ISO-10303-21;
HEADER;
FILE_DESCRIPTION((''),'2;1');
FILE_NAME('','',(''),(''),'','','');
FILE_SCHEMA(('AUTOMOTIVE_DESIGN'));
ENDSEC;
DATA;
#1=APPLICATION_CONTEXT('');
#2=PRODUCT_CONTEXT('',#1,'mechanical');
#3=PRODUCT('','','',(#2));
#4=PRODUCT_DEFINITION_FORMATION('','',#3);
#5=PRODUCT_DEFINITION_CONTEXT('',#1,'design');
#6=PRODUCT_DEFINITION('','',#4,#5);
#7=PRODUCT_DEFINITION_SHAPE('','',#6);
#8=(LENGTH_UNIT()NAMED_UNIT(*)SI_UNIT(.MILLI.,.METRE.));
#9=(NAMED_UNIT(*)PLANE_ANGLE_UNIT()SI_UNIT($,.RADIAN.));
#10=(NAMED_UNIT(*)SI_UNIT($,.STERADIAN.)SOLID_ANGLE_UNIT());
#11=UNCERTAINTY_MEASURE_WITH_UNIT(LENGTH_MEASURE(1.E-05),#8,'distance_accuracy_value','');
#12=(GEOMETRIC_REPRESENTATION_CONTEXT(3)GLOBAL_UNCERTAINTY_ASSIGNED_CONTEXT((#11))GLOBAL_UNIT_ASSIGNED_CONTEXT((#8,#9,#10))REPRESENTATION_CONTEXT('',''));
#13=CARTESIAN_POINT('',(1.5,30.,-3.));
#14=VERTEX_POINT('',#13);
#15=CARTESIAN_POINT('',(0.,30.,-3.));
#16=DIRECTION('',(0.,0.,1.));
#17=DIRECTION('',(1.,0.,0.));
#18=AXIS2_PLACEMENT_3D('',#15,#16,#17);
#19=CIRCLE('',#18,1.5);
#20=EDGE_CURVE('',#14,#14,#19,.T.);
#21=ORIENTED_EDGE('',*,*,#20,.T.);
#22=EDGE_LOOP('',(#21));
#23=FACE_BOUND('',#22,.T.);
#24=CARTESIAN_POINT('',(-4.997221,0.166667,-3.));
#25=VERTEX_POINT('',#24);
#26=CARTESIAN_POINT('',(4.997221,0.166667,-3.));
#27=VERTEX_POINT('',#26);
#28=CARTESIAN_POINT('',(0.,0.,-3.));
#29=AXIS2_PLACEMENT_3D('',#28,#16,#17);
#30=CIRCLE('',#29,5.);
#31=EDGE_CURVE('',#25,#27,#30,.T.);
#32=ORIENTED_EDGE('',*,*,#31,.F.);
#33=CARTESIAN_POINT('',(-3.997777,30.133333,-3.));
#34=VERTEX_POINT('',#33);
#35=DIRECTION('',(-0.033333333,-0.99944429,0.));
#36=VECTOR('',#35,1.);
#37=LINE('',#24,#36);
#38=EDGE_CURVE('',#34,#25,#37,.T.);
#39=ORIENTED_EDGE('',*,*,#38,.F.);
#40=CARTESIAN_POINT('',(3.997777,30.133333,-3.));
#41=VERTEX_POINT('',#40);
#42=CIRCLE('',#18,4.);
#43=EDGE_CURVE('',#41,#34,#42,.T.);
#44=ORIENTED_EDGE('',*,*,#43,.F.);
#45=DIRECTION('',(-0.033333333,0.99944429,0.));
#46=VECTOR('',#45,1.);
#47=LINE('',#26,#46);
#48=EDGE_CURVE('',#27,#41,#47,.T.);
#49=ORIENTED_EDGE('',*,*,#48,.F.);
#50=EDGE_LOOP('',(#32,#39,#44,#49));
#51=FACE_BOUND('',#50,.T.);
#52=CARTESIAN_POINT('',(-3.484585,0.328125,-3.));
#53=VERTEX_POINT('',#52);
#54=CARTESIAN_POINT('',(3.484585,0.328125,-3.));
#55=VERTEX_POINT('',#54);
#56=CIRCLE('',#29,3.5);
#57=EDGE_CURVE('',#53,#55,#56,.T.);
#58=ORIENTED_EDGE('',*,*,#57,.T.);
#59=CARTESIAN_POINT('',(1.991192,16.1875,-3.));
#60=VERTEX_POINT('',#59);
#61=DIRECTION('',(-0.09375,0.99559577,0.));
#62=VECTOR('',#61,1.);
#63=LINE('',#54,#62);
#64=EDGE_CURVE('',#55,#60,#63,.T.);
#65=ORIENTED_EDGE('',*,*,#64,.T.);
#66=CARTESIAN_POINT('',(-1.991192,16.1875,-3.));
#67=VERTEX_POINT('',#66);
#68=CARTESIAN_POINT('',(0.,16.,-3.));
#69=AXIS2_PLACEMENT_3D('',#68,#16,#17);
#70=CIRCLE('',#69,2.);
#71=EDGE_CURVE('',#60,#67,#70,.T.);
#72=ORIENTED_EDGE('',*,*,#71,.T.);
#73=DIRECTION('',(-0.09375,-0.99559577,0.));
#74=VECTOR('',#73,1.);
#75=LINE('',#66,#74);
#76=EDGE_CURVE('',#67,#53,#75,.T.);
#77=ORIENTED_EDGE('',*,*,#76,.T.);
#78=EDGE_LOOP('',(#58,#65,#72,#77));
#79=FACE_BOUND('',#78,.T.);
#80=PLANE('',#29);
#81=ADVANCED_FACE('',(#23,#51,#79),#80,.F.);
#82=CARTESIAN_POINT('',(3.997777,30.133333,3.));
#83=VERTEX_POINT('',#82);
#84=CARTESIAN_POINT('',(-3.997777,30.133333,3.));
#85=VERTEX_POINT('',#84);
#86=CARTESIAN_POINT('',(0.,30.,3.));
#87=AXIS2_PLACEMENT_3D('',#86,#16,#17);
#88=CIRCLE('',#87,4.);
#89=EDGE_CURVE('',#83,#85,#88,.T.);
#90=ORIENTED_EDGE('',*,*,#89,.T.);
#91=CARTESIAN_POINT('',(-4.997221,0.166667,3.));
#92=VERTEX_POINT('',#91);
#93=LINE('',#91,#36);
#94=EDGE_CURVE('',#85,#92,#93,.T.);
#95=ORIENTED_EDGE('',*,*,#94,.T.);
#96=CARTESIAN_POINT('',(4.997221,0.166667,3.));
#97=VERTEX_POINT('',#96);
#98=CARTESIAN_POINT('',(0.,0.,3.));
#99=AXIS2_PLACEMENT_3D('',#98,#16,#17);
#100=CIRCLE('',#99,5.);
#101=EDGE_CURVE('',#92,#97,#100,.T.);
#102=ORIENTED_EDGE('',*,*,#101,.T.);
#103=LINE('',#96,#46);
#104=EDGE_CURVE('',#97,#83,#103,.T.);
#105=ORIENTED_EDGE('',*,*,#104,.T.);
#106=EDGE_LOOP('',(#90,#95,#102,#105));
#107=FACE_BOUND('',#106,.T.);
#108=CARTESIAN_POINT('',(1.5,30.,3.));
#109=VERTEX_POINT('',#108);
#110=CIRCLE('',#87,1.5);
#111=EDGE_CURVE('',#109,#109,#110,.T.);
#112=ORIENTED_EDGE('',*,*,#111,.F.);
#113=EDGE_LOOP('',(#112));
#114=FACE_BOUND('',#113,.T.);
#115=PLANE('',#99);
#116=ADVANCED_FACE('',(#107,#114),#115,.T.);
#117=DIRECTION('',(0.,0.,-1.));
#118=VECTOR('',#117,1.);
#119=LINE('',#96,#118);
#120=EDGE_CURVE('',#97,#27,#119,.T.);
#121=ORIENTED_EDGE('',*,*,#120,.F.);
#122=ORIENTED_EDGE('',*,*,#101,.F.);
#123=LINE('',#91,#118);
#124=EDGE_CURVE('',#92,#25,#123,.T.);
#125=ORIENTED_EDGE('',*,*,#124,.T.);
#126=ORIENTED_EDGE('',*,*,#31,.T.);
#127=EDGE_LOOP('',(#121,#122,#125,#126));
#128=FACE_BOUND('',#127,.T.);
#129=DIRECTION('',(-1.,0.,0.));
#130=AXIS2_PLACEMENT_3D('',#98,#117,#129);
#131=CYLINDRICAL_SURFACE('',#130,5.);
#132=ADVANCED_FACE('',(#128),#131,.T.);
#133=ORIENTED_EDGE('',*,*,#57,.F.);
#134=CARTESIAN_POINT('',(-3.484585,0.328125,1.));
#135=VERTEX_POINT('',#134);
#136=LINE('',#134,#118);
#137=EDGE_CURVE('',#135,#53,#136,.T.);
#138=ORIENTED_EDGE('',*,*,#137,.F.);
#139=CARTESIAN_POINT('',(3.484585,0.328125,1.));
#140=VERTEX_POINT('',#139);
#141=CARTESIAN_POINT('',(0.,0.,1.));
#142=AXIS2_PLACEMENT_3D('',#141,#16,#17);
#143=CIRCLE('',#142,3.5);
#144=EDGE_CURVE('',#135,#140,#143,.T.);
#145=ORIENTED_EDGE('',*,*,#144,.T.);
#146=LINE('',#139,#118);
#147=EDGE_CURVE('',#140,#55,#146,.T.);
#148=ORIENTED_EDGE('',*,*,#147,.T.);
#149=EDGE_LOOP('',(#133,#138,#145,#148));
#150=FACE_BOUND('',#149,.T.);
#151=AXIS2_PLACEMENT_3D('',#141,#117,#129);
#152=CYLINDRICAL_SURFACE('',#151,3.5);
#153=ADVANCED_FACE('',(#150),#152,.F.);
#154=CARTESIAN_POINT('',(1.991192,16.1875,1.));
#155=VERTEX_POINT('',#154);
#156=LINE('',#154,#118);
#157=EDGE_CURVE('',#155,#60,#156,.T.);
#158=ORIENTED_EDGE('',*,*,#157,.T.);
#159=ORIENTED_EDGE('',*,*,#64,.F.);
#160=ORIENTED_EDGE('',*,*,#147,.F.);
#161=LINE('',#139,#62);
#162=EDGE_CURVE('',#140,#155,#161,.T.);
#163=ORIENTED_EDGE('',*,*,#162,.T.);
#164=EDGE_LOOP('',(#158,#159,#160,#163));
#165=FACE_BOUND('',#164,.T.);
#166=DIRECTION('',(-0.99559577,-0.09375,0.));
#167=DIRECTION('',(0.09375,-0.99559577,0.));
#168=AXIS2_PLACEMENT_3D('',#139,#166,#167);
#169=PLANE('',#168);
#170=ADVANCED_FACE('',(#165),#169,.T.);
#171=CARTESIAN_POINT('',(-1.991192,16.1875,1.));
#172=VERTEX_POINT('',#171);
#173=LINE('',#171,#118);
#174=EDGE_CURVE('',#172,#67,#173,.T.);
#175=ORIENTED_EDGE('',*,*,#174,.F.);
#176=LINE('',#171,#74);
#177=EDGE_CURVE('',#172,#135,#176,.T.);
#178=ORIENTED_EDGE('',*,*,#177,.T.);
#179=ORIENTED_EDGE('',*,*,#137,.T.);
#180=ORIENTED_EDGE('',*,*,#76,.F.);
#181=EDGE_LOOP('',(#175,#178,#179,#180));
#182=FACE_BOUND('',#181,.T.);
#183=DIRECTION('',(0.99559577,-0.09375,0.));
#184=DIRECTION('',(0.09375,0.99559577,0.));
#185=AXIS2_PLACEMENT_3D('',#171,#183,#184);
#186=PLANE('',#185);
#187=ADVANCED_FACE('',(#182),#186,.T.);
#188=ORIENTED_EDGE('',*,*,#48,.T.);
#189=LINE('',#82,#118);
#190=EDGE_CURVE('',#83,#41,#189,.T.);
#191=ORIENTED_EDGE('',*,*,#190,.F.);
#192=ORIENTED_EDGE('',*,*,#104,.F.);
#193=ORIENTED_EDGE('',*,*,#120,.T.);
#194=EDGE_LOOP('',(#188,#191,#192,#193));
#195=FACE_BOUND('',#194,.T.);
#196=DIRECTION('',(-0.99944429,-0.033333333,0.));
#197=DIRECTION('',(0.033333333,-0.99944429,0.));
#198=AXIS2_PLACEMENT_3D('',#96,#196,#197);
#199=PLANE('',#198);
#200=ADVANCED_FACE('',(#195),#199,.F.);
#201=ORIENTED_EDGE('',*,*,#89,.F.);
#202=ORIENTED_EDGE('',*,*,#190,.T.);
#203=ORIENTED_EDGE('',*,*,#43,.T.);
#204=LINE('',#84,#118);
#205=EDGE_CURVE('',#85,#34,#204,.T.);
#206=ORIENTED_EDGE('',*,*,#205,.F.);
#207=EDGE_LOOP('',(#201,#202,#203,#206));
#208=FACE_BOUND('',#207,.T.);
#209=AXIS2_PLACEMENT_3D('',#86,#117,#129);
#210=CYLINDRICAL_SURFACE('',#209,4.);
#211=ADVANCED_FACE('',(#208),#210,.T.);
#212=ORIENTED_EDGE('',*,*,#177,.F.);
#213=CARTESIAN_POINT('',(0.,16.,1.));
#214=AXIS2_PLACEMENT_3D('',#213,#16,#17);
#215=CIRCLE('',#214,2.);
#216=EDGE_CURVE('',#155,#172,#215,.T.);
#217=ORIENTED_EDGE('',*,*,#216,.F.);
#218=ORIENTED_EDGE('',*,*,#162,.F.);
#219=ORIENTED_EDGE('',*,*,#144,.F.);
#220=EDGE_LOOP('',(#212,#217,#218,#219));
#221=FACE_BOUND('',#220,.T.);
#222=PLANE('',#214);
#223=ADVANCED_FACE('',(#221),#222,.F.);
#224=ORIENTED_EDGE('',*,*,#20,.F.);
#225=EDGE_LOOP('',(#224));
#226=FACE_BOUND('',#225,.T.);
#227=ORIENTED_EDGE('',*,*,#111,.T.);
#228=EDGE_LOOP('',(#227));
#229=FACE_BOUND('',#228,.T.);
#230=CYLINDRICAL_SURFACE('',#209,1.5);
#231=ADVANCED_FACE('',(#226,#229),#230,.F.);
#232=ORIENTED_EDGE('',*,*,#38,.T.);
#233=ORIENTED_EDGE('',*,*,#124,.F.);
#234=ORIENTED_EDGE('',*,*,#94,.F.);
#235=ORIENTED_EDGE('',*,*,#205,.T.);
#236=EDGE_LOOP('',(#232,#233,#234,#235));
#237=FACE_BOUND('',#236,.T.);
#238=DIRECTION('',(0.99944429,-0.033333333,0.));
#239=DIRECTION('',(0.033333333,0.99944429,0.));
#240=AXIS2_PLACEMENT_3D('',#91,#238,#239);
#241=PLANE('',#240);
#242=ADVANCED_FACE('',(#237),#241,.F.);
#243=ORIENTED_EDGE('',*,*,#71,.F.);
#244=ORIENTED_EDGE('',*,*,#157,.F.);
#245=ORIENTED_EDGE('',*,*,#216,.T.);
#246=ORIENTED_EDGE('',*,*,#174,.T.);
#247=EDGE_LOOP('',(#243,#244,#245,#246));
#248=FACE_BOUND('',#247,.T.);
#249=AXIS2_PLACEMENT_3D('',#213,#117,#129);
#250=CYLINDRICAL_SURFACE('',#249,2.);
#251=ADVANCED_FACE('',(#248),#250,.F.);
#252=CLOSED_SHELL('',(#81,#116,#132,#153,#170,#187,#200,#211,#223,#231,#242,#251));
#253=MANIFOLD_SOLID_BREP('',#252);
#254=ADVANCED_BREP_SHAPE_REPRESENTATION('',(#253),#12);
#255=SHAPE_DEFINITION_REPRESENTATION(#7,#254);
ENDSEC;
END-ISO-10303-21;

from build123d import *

# Parameters (mm, degrees)
SKETCH2_R               = 1.5
BOSS_EXTRUDE1_DEPTH     = 3
CUT_EXTRUDE1_DEPTH      = 1
CUT_EXTRUDE1_DEPTH_BACK = 4


with BuildPart() as part:
    # Sketch2 → Boss-Extrude1 (new body, symmetric)
    with BuildSketch(Plane.XY):
        with BuildLine():
            Line((-4.99722145, 0.166666667), (-3.99777716, 30.133333333))
            ThreePointArc((-3.99777716, 30.133333333), (0, 34), (3.99777716, 30.133333333))
            Line((3.99777716, 30.133333333), (4.99722145, 0.166666667))
            ThreePointArc((4.99722145, 0.166666667), (0, -5), (-4.99722145, 0.166666667))
        make_face()
        with Locations((0, 30)):
            Circle(SKETCH2_R, mode=Mode.SUBTRACT)
    extrude(amount=BOSS_EXTRUDE1_DEPTH, both=True)

    # Sketch1 → Cut-Extrude1 (cut, two sides)
    with BuildSketch(Plane.XY) as cut_extrude1_sk:
        with BuildLine():
            Line((-1.99119154, 16.1875), (-3.484585195, 0.328125))
            ThreePointArc((-3.484585195, 0.328125), (0, -3.5), (3.484585195, 0.328125))
            Line((3.484585195, 0.328125), (1.99119154, 16.1875))
            ThreePointArc((1.99119154, 16.1875), (0, 18), (-1.99119154, 16.1875))
        make_face()
    extrude(amount=CUT_EXTRUDE1_DEPTH, mode=Mode.SUBTRACT)
    extrude(cut_extrude1_sk.sketch, amount=-CUT_EXTRUDE1_DEPTH_BACK, mode=Mode.SUBTRACT)


solid = part.part
